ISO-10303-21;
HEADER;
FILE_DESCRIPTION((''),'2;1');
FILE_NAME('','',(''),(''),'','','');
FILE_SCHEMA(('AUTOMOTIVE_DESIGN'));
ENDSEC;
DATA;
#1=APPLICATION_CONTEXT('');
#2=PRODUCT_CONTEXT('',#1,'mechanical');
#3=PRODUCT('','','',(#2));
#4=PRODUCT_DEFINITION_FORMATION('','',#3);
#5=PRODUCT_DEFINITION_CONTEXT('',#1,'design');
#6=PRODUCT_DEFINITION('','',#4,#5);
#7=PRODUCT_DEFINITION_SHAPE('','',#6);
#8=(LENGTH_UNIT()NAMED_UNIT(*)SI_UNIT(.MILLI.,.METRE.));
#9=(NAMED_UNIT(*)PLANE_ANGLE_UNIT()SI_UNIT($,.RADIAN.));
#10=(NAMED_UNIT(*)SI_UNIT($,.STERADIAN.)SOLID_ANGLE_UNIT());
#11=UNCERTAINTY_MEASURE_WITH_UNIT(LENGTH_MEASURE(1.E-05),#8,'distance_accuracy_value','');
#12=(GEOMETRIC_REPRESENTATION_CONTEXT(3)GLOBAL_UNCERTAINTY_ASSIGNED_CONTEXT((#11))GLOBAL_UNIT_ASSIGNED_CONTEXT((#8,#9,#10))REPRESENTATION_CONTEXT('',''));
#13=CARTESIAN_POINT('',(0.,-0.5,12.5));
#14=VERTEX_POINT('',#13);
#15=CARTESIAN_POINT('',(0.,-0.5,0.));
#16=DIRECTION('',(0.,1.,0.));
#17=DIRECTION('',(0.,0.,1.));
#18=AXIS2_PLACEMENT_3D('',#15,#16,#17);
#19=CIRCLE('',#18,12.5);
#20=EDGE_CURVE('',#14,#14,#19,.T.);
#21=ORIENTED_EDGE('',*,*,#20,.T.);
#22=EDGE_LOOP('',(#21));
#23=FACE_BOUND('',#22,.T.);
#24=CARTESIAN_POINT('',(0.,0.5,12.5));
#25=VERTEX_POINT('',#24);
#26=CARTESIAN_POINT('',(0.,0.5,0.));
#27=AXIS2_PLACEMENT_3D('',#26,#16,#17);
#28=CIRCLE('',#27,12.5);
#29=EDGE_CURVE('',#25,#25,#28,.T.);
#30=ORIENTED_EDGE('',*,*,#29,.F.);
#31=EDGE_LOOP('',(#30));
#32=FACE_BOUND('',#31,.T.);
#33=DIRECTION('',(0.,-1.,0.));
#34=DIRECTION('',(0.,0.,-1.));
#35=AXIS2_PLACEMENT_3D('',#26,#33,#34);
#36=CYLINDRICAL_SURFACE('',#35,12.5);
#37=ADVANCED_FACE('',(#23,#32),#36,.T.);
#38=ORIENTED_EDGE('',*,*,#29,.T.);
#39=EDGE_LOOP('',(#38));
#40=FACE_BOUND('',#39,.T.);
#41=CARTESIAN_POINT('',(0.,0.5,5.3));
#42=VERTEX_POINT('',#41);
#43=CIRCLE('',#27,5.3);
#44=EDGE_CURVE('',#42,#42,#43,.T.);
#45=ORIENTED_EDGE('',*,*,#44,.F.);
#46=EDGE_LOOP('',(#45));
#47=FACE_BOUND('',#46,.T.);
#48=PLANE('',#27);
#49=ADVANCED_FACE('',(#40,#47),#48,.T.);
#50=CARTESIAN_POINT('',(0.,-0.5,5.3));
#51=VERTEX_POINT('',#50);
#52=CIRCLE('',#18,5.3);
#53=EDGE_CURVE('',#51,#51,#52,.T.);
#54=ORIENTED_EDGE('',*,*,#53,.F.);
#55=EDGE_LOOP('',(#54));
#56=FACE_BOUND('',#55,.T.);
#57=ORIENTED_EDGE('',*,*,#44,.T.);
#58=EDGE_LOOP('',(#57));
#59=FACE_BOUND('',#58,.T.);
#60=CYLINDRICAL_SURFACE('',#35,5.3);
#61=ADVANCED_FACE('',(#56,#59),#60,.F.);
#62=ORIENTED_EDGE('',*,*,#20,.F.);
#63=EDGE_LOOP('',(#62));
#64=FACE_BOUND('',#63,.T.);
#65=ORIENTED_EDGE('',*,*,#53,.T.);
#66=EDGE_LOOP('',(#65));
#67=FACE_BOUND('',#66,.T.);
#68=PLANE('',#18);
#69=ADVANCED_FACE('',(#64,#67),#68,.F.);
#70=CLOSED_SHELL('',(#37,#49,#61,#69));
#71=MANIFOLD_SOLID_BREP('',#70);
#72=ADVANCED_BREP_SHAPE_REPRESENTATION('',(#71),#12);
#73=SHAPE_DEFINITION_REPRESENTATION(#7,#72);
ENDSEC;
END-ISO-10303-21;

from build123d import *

# Parameters (mm, degrees)
SKETCH2_R           = 12.5
SKETCH2_R_2         = 5.3
BOSS_EXTRUDE1_DEPTH = 0.5


with BuildPart() as part:
    # Sketch2 → Boss-Extrude1 (new body, symmetric)
    with BuildSketch(Plane(origin=(0, 0, 0), x_dir=(1, 0, 0), z_dir=(0, 1, 0))):
        Circle(SKETCH2_R)
        Circle(SKETCH2_R_2, mode=Mode.SUBTRACT)
    extrude(amount=BOSS_EXTRUDE1_DEPTH, both=True)


solid = part.part
